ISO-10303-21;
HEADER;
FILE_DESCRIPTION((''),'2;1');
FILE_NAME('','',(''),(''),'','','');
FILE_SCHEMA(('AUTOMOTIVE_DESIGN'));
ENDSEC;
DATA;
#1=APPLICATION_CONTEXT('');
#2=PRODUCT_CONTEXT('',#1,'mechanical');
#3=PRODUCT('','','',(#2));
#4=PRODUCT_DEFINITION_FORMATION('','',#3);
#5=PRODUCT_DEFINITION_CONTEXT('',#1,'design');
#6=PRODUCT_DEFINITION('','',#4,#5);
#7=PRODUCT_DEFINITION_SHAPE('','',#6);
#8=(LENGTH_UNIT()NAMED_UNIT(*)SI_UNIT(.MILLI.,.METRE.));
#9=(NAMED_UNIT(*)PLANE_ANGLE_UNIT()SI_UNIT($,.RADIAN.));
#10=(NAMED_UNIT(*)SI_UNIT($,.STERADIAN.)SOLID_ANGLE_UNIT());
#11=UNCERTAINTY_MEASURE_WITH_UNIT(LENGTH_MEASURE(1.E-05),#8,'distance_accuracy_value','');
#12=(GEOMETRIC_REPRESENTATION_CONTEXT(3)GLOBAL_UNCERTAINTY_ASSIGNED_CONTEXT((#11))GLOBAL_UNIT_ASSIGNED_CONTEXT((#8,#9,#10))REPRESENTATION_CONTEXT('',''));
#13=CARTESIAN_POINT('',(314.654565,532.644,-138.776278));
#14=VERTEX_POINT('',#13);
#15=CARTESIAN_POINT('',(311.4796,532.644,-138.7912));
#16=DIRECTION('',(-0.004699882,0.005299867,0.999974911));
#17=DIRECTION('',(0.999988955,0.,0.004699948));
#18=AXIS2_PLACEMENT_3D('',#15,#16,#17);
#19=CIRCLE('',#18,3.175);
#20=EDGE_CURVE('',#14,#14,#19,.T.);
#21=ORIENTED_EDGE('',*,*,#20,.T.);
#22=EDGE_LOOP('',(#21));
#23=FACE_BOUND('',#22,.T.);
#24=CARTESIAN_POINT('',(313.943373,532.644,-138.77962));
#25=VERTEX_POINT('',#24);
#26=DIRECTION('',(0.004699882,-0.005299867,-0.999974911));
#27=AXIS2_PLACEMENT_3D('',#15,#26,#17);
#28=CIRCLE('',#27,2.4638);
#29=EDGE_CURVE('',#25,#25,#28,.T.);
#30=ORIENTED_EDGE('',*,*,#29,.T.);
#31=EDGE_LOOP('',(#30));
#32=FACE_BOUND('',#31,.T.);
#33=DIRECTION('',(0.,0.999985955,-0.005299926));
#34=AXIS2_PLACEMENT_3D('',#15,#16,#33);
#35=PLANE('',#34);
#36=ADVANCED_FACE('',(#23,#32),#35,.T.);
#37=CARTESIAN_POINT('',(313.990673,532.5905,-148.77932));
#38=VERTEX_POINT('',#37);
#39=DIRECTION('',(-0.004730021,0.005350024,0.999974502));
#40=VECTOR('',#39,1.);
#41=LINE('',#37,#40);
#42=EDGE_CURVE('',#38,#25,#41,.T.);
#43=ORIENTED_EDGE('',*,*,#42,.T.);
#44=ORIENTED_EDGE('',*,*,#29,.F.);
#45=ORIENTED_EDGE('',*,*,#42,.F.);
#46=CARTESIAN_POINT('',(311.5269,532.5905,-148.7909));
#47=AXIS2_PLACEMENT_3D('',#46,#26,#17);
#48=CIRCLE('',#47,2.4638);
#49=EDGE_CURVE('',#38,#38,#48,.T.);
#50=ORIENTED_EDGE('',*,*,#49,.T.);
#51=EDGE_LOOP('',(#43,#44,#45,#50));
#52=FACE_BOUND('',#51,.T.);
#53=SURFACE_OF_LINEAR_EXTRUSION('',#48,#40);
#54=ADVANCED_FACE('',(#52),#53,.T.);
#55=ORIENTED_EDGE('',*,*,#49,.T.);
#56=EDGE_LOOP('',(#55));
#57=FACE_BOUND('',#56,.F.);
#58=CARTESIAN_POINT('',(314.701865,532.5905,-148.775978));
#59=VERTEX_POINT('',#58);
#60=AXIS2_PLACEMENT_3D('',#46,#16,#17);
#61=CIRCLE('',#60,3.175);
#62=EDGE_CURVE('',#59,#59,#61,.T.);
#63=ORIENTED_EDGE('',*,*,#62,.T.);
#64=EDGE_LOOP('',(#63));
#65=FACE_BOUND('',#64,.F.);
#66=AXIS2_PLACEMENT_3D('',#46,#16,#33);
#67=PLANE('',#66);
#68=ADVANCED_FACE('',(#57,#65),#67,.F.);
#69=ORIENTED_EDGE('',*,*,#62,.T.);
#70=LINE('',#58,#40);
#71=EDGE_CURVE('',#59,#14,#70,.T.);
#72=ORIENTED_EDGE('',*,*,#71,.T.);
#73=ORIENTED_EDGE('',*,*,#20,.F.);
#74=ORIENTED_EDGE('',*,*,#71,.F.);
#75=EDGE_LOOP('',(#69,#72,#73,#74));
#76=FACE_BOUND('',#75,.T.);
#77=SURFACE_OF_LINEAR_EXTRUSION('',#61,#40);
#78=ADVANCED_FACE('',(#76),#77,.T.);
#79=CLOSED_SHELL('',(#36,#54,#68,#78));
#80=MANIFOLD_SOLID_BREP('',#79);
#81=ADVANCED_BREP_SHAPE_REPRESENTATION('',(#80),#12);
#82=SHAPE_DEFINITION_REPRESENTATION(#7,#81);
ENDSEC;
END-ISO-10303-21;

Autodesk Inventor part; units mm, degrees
ref_plane "YZ Plane" through (0, 0, 0) normal (1, 0, 0) x (0, 1, 0)
ref_plane "XZ Plane" through (0, 0, 0) normal (0, 1, 0) x (-1, 0, 0)
ref_plane "Work Plane5" through (311.5269, 532.5905, -148.7909) normal (-0.0047, 0.0053, 1) x (1, 0, 0.0047)
sketch "Sketch5" plane through (311.5269, 532.5905, -148.7909) normal (-0.0047, 0.0053, 1) x (1, 0, 0.0047)
  circle A0 centre (0, 0) radius 3.175
  circle A1 centre (0, 0) radius 2.4638
sketch3d "3D Sketch3"
  line L0 (311.5269, 532.5905, -148.7909) -> (311.4796, 532.644, -138.7912)
sweep "Sweep3" add profiles "Sketch5" path "3D Sketch3"
equation "\"OD\" = 6.35"
equation "\"t\" = 0.7112"
equation "\"L\" = PL"
equation "\"ID\" = 4.9276"
equation "\"PL\" = 10.0076"
equation "\"D\" = 15.24"
equation "\"Size_Designation\" = 1.2345"
properties material "Stainless Steel"
